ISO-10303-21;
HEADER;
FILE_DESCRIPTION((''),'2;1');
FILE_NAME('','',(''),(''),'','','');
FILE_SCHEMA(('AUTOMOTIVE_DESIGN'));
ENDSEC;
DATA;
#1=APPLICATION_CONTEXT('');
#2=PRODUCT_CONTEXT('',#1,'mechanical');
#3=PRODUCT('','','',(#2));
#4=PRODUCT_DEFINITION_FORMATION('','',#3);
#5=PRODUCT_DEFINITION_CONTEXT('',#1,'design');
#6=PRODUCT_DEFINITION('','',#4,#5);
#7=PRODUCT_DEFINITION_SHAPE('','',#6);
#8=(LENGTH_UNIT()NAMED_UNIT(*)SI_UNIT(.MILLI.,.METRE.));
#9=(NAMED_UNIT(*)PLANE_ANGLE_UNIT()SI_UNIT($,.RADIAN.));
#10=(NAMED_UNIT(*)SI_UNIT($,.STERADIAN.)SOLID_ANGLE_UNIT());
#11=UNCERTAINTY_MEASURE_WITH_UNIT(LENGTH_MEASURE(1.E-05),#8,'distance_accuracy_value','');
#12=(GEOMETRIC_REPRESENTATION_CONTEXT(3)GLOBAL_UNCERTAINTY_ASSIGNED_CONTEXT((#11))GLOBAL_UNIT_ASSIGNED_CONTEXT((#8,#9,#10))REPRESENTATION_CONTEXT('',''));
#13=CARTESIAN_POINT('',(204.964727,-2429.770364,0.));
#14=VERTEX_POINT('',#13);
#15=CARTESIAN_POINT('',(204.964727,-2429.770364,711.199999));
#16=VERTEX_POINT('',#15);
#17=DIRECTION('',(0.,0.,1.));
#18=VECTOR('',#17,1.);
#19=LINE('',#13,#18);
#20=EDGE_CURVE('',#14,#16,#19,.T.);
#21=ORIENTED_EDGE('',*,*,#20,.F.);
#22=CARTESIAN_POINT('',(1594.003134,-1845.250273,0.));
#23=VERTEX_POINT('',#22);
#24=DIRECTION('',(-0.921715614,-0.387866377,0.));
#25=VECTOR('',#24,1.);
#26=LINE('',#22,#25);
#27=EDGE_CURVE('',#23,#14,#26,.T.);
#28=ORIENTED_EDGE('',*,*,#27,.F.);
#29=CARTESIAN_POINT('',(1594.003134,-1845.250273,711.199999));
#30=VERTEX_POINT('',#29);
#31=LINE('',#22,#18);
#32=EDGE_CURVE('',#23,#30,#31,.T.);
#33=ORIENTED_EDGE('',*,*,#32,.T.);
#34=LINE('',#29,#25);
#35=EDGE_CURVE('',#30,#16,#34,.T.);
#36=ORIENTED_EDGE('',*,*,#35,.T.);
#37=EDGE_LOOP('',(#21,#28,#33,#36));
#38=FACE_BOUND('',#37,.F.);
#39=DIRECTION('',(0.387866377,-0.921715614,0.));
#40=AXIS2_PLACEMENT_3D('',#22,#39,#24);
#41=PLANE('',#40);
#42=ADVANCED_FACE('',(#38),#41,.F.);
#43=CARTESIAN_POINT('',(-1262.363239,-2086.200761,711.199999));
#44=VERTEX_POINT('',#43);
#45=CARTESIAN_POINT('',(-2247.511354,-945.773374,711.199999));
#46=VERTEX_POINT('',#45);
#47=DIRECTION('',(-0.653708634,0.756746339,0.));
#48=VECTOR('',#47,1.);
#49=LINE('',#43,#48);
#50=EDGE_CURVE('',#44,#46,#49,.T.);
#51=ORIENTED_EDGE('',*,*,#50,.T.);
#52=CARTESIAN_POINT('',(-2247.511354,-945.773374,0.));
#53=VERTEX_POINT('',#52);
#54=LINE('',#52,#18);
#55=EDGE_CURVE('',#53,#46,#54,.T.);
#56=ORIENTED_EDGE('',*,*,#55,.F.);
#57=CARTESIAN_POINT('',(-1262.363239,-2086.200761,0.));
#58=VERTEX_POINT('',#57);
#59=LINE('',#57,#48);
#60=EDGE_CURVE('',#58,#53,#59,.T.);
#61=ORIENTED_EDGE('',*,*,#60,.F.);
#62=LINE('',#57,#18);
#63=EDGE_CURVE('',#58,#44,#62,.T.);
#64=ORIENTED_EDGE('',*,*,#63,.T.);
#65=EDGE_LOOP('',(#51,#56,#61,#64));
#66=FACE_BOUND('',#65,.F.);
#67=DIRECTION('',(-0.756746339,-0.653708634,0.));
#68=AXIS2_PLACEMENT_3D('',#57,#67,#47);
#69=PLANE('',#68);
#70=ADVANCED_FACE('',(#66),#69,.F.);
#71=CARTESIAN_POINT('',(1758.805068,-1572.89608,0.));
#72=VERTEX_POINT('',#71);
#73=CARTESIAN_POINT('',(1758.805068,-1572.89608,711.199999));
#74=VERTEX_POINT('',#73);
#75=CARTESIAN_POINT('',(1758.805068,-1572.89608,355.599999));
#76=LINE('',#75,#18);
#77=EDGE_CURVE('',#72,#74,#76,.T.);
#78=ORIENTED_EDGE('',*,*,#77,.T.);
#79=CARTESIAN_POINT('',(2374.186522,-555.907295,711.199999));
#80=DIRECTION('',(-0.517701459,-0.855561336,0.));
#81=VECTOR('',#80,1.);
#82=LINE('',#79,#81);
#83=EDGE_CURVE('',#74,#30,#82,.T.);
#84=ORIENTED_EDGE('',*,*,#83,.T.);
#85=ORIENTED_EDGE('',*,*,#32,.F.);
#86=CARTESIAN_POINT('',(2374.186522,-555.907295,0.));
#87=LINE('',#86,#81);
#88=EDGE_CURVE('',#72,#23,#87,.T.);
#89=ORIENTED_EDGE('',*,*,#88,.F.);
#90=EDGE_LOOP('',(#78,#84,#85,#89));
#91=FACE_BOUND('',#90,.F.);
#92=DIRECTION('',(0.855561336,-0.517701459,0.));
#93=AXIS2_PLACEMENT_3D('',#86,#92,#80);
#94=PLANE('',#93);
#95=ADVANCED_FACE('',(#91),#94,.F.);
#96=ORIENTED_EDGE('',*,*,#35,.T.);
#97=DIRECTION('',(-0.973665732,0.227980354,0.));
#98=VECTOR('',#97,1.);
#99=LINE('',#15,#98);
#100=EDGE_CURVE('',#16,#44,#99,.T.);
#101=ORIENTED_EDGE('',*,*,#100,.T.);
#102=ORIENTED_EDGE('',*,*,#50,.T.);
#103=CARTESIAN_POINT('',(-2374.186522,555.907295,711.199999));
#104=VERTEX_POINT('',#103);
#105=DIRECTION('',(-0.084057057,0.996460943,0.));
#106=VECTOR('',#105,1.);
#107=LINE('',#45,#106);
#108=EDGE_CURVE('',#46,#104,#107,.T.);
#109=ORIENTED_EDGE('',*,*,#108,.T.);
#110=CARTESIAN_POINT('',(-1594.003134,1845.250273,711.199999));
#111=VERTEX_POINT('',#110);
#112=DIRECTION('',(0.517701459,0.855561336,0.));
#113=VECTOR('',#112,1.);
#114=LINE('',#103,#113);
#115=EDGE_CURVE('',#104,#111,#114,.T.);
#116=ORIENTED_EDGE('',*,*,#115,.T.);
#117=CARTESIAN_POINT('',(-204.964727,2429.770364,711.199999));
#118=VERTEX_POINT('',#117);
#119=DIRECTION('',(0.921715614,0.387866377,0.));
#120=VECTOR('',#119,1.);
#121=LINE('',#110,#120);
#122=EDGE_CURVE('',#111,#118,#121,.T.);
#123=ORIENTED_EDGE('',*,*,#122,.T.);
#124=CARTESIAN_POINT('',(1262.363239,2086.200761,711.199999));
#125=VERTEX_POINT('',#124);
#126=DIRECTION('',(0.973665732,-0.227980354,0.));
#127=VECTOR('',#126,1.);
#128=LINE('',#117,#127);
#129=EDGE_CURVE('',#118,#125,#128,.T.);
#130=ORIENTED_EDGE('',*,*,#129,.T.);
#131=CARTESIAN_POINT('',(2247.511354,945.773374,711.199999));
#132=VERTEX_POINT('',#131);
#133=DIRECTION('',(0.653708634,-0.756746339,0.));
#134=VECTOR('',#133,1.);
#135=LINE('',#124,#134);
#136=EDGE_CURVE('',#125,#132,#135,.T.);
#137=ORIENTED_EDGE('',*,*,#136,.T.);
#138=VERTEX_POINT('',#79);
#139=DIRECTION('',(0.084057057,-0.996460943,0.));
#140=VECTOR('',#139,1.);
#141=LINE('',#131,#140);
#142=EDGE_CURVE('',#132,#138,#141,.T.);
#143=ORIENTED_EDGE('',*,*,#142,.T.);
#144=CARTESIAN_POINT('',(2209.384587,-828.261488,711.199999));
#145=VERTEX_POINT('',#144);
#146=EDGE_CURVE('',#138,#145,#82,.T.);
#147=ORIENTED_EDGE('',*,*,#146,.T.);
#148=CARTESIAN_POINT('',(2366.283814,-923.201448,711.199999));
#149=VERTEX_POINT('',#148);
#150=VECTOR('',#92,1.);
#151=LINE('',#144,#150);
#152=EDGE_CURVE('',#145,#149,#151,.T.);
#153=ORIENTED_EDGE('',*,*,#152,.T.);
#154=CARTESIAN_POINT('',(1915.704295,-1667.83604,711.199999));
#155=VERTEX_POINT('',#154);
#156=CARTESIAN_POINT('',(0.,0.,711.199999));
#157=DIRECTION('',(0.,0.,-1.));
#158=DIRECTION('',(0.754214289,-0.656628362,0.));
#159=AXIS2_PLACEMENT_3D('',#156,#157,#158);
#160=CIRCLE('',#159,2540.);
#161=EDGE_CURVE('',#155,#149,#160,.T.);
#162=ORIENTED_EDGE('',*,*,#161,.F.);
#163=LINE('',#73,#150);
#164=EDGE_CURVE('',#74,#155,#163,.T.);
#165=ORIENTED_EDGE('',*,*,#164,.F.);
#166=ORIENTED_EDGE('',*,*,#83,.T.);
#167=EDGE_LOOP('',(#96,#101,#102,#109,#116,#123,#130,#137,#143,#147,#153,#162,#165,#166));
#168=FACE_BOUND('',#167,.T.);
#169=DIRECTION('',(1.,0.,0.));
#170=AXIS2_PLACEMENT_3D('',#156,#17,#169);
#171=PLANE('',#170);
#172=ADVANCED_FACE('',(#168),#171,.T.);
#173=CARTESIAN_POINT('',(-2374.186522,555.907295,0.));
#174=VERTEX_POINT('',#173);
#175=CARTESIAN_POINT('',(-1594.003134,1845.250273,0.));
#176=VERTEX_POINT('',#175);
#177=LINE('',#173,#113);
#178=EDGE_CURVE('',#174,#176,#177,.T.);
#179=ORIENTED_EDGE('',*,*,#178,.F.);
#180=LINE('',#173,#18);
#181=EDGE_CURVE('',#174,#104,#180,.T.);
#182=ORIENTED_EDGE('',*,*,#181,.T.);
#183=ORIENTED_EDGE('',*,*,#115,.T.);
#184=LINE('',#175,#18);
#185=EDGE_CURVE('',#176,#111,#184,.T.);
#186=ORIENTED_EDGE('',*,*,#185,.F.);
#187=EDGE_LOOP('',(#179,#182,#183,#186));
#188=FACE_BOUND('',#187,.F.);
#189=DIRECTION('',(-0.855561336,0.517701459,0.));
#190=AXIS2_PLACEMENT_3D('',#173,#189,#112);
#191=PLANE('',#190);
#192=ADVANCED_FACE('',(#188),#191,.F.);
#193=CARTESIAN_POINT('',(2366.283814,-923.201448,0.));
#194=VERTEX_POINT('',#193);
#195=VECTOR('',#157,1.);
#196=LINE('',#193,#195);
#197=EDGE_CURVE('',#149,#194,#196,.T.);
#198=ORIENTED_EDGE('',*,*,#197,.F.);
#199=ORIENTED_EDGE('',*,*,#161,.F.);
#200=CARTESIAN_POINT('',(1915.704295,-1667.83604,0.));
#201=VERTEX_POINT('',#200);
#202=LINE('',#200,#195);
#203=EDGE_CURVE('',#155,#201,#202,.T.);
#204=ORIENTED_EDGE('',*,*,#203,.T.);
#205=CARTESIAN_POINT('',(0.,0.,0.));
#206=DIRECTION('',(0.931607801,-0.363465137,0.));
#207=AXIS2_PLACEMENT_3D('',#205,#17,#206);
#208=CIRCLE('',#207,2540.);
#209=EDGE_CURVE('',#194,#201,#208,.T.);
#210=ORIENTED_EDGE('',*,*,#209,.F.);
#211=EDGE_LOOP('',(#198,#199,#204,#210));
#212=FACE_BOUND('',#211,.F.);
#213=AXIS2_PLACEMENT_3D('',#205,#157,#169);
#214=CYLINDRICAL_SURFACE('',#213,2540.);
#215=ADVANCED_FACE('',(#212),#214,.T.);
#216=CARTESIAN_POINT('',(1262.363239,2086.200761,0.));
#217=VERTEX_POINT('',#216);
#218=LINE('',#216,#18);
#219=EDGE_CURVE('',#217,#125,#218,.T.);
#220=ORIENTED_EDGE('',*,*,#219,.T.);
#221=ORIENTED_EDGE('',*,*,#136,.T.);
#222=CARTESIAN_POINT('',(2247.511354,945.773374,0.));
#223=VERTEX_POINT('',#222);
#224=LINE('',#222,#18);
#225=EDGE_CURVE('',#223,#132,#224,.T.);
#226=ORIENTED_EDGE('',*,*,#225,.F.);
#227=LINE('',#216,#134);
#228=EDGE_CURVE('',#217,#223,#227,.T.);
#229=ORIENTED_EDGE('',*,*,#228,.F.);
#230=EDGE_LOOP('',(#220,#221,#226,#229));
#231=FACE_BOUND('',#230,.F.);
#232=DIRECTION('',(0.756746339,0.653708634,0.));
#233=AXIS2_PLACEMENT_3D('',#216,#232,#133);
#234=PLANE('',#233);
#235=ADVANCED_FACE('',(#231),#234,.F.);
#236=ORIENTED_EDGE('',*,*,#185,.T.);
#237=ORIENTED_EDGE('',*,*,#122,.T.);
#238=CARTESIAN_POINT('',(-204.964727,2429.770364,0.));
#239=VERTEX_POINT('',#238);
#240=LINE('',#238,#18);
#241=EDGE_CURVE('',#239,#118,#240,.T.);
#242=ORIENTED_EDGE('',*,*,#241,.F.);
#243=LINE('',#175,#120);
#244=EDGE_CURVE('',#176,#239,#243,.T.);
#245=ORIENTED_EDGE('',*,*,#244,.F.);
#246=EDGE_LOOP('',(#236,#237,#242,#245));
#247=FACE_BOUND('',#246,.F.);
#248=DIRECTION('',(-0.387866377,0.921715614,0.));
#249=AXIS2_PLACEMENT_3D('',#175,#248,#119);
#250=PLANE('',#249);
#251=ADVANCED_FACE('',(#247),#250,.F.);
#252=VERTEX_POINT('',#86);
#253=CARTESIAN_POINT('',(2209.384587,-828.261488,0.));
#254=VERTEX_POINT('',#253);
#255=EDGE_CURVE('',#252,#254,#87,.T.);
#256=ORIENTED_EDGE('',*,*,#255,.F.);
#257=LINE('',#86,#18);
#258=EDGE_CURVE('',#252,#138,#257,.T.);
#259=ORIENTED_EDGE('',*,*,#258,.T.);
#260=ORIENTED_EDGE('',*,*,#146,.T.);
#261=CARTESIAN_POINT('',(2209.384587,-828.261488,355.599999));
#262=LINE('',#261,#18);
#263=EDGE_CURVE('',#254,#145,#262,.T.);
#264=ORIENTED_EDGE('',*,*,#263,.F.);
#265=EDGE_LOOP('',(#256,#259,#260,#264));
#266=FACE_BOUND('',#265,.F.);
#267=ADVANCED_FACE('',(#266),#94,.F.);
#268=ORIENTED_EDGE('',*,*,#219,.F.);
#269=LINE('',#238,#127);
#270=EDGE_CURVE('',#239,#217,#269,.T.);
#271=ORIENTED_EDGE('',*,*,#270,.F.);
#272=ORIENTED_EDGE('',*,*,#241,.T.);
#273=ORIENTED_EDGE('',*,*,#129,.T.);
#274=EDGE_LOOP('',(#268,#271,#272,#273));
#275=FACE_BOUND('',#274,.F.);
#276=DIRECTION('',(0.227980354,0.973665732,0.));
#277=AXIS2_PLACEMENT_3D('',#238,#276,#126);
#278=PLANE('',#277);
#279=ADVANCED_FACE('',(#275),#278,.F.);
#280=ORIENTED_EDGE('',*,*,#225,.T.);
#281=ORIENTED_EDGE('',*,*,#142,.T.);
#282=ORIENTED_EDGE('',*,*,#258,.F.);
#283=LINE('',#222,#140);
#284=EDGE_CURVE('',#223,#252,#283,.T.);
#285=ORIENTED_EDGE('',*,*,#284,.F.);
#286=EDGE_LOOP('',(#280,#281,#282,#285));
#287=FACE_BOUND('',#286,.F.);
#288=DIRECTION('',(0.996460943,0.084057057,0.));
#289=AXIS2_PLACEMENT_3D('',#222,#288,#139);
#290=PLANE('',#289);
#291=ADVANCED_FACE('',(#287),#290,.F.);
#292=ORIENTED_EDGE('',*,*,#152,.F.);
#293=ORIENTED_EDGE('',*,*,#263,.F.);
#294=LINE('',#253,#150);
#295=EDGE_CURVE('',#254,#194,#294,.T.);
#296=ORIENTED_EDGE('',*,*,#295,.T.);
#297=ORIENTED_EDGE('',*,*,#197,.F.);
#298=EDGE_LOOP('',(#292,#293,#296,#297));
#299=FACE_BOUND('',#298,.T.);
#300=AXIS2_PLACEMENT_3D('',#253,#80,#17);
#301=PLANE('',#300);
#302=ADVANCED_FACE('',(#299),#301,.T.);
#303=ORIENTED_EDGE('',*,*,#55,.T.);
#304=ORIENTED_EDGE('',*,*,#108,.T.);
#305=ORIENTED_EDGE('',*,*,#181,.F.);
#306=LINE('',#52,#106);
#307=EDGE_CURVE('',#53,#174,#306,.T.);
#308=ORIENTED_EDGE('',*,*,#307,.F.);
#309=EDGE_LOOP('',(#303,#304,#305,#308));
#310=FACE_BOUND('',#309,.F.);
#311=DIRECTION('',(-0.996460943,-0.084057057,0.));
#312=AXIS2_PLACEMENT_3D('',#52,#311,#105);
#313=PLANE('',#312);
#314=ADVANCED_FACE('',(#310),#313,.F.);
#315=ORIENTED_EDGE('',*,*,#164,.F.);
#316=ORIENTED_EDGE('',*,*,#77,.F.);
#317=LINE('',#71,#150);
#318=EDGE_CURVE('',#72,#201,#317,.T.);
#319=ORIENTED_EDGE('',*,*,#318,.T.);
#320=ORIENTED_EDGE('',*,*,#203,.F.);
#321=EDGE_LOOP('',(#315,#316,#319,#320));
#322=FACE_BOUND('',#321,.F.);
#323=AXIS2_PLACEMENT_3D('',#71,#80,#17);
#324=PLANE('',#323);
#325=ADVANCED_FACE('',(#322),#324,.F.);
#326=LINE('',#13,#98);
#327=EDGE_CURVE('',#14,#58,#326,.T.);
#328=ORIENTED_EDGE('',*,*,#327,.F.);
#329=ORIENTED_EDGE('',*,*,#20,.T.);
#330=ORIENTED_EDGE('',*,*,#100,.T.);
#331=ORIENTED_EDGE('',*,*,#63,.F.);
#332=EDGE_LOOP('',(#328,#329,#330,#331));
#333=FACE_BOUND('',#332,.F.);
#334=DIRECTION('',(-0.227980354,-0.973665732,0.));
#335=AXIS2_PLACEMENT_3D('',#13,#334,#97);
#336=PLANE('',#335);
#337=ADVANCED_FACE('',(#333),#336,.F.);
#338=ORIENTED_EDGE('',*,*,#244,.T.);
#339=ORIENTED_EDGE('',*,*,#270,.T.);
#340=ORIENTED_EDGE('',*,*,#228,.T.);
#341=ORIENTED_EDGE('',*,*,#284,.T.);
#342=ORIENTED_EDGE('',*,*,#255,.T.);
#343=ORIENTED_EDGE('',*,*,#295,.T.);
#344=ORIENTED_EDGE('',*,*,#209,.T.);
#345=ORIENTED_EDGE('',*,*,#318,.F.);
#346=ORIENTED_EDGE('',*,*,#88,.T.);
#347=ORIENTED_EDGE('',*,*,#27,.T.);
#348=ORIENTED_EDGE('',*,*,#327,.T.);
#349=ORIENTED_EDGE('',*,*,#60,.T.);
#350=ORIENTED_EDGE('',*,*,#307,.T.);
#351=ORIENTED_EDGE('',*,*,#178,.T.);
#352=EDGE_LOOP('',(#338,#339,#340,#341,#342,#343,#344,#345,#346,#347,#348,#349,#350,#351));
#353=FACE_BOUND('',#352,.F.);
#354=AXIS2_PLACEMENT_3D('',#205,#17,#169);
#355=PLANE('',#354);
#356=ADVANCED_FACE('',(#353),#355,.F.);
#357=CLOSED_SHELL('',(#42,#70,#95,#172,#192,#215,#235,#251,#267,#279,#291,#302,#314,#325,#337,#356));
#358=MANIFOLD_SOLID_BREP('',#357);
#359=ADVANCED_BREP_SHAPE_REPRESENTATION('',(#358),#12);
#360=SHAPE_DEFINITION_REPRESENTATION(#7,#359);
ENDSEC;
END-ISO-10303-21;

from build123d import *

# Parameters (mm, degrees)
F0_R     = 2540
F1_DEPTH = 711.1999988556
F2_W     = 870.3462406885
F2_H     = 711.1999988556
F3_DEPTH = 922.9071736336


with BuildPart() as f1:
    # F0 (on Top) → F1 (new body)
    with BuildSketch(Plane.XY):
        Circle(F0_R)
        Polygon((1594.0031338836, -1845.2502727731), (204.964727274, -2429.7703637532), (-1262.3632386594, -2086.2007606368), (-2247.5113535733, -945.773374313), (-2374.1865215234, 555.9072953437), (-1594.0031338836, 1845.2502727731), (-204.964727274, 2429.7703637532), (1262.3632386594, 2086.2007606368), (2247.5113535733, 945.773374313), (2374.1865215234, -555.9072953437), align=None, mode=Mode.SUBTRACT)
    extrude(amount=F1_DEPTH)

    # F2 (on face) → F3 (cut)
    with BuildSketch(Plane(origin=(1984.0948277035, -1200.5787840584, 0), x_dir=(-0.5177014594, -0.8555613356, 0), z_dir=(-0.8555613356, 0.5177014594, 0))):
        with Locations((0, 355.5999994278)):
            Rectangle(F2_W, F2_H)
    extrude(amount=-F3_DEPTH, mode=Mode.SUBTRACT)


solid = f1.part
